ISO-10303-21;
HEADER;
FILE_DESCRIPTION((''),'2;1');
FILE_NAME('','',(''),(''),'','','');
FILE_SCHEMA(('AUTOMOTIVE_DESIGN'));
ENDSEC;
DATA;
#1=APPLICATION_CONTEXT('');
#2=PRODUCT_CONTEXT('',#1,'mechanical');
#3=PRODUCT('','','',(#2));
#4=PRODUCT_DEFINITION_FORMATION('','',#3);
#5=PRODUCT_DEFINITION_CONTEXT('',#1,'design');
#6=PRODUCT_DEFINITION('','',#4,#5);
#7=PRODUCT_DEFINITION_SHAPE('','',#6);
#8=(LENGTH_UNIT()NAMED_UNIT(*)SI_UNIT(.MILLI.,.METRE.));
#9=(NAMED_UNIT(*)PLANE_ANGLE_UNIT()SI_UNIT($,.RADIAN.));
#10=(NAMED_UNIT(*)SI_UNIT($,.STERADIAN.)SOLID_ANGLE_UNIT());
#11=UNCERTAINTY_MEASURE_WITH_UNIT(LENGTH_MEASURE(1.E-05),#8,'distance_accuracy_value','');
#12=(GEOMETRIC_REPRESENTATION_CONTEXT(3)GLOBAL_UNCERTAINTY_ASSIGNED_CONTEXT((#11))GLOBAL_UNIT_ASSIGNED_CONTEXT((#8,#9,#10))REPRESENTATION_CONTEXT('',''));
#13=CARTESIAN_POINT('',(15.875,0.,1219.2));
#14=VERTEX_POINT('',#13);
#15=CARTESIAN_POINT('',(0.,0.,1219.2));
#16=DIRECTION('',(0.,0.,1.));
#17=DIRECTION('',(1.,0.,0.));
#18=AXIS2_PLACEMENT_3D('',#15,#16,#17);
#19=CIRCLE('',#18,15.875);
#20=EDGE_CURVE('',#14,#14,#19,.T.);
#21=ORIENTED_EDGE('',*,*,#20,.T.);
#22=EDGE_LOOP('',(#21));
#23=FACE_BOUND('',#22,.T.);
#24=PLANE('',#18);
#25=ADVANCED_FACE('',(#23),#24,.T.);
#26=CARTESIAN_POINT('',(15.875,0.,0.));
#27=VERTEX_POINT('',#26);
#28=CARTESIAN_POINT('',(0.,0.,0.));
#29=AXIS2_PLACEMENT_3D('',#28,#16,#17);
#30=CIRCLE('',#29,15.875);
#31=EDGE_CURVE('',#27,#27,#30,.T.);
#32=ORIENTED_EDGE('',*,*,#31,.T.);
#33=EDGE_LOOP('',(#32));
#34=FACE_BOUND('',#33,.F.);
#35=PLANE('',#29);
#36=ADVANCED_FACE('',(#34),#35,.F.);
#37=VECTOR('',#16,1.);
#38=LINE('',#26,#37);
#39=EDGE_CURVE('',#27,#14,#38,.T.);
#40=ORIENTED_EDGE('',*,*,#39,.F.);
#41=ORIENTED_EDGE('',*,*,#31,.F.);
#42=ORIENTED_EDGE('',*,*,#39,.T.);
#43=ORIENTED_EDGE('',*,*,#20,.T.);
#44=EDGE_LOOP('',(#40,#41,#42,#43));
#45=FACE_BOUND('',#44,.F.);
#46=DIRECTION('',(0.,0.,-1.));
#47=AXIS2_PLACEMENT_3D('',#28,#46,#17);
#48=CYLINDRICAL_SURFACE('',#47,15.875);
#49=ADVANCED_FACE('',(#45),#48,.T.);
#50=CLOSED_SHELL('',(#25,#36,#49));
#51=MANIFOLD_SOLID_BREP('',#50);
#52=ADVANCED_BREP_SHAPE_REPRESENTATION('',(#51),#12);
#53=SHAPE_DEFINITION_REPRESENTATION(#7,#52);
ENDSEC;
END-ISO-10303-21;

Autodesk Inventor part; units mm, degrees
ref_plane "YZ Plane" through (0, 0, 0) normal (1, 0, 0) x (0, 1, 0)
ref_plane "XZ Plane" through (0, 0, 0) normal (0, 1, 0) x (-1, 0, 0)
ref_plane "XY Plane" through (0, 0, 0) normal (0, 0, 1) x (1, 0, 0)
sketch "Sketch1" plane through (0, 0, 0) normal (0, 0, 1) x (1, 0, 0)
  circle A0 centre (0, 0) radius 15.875
  dimension "d0" = 31.75
extrude "Extrusion1" add sketch "Sketch1" along normal blind 1219.2
properties part number "1.25 bar x 4ft" material "Steel, Alloy"
